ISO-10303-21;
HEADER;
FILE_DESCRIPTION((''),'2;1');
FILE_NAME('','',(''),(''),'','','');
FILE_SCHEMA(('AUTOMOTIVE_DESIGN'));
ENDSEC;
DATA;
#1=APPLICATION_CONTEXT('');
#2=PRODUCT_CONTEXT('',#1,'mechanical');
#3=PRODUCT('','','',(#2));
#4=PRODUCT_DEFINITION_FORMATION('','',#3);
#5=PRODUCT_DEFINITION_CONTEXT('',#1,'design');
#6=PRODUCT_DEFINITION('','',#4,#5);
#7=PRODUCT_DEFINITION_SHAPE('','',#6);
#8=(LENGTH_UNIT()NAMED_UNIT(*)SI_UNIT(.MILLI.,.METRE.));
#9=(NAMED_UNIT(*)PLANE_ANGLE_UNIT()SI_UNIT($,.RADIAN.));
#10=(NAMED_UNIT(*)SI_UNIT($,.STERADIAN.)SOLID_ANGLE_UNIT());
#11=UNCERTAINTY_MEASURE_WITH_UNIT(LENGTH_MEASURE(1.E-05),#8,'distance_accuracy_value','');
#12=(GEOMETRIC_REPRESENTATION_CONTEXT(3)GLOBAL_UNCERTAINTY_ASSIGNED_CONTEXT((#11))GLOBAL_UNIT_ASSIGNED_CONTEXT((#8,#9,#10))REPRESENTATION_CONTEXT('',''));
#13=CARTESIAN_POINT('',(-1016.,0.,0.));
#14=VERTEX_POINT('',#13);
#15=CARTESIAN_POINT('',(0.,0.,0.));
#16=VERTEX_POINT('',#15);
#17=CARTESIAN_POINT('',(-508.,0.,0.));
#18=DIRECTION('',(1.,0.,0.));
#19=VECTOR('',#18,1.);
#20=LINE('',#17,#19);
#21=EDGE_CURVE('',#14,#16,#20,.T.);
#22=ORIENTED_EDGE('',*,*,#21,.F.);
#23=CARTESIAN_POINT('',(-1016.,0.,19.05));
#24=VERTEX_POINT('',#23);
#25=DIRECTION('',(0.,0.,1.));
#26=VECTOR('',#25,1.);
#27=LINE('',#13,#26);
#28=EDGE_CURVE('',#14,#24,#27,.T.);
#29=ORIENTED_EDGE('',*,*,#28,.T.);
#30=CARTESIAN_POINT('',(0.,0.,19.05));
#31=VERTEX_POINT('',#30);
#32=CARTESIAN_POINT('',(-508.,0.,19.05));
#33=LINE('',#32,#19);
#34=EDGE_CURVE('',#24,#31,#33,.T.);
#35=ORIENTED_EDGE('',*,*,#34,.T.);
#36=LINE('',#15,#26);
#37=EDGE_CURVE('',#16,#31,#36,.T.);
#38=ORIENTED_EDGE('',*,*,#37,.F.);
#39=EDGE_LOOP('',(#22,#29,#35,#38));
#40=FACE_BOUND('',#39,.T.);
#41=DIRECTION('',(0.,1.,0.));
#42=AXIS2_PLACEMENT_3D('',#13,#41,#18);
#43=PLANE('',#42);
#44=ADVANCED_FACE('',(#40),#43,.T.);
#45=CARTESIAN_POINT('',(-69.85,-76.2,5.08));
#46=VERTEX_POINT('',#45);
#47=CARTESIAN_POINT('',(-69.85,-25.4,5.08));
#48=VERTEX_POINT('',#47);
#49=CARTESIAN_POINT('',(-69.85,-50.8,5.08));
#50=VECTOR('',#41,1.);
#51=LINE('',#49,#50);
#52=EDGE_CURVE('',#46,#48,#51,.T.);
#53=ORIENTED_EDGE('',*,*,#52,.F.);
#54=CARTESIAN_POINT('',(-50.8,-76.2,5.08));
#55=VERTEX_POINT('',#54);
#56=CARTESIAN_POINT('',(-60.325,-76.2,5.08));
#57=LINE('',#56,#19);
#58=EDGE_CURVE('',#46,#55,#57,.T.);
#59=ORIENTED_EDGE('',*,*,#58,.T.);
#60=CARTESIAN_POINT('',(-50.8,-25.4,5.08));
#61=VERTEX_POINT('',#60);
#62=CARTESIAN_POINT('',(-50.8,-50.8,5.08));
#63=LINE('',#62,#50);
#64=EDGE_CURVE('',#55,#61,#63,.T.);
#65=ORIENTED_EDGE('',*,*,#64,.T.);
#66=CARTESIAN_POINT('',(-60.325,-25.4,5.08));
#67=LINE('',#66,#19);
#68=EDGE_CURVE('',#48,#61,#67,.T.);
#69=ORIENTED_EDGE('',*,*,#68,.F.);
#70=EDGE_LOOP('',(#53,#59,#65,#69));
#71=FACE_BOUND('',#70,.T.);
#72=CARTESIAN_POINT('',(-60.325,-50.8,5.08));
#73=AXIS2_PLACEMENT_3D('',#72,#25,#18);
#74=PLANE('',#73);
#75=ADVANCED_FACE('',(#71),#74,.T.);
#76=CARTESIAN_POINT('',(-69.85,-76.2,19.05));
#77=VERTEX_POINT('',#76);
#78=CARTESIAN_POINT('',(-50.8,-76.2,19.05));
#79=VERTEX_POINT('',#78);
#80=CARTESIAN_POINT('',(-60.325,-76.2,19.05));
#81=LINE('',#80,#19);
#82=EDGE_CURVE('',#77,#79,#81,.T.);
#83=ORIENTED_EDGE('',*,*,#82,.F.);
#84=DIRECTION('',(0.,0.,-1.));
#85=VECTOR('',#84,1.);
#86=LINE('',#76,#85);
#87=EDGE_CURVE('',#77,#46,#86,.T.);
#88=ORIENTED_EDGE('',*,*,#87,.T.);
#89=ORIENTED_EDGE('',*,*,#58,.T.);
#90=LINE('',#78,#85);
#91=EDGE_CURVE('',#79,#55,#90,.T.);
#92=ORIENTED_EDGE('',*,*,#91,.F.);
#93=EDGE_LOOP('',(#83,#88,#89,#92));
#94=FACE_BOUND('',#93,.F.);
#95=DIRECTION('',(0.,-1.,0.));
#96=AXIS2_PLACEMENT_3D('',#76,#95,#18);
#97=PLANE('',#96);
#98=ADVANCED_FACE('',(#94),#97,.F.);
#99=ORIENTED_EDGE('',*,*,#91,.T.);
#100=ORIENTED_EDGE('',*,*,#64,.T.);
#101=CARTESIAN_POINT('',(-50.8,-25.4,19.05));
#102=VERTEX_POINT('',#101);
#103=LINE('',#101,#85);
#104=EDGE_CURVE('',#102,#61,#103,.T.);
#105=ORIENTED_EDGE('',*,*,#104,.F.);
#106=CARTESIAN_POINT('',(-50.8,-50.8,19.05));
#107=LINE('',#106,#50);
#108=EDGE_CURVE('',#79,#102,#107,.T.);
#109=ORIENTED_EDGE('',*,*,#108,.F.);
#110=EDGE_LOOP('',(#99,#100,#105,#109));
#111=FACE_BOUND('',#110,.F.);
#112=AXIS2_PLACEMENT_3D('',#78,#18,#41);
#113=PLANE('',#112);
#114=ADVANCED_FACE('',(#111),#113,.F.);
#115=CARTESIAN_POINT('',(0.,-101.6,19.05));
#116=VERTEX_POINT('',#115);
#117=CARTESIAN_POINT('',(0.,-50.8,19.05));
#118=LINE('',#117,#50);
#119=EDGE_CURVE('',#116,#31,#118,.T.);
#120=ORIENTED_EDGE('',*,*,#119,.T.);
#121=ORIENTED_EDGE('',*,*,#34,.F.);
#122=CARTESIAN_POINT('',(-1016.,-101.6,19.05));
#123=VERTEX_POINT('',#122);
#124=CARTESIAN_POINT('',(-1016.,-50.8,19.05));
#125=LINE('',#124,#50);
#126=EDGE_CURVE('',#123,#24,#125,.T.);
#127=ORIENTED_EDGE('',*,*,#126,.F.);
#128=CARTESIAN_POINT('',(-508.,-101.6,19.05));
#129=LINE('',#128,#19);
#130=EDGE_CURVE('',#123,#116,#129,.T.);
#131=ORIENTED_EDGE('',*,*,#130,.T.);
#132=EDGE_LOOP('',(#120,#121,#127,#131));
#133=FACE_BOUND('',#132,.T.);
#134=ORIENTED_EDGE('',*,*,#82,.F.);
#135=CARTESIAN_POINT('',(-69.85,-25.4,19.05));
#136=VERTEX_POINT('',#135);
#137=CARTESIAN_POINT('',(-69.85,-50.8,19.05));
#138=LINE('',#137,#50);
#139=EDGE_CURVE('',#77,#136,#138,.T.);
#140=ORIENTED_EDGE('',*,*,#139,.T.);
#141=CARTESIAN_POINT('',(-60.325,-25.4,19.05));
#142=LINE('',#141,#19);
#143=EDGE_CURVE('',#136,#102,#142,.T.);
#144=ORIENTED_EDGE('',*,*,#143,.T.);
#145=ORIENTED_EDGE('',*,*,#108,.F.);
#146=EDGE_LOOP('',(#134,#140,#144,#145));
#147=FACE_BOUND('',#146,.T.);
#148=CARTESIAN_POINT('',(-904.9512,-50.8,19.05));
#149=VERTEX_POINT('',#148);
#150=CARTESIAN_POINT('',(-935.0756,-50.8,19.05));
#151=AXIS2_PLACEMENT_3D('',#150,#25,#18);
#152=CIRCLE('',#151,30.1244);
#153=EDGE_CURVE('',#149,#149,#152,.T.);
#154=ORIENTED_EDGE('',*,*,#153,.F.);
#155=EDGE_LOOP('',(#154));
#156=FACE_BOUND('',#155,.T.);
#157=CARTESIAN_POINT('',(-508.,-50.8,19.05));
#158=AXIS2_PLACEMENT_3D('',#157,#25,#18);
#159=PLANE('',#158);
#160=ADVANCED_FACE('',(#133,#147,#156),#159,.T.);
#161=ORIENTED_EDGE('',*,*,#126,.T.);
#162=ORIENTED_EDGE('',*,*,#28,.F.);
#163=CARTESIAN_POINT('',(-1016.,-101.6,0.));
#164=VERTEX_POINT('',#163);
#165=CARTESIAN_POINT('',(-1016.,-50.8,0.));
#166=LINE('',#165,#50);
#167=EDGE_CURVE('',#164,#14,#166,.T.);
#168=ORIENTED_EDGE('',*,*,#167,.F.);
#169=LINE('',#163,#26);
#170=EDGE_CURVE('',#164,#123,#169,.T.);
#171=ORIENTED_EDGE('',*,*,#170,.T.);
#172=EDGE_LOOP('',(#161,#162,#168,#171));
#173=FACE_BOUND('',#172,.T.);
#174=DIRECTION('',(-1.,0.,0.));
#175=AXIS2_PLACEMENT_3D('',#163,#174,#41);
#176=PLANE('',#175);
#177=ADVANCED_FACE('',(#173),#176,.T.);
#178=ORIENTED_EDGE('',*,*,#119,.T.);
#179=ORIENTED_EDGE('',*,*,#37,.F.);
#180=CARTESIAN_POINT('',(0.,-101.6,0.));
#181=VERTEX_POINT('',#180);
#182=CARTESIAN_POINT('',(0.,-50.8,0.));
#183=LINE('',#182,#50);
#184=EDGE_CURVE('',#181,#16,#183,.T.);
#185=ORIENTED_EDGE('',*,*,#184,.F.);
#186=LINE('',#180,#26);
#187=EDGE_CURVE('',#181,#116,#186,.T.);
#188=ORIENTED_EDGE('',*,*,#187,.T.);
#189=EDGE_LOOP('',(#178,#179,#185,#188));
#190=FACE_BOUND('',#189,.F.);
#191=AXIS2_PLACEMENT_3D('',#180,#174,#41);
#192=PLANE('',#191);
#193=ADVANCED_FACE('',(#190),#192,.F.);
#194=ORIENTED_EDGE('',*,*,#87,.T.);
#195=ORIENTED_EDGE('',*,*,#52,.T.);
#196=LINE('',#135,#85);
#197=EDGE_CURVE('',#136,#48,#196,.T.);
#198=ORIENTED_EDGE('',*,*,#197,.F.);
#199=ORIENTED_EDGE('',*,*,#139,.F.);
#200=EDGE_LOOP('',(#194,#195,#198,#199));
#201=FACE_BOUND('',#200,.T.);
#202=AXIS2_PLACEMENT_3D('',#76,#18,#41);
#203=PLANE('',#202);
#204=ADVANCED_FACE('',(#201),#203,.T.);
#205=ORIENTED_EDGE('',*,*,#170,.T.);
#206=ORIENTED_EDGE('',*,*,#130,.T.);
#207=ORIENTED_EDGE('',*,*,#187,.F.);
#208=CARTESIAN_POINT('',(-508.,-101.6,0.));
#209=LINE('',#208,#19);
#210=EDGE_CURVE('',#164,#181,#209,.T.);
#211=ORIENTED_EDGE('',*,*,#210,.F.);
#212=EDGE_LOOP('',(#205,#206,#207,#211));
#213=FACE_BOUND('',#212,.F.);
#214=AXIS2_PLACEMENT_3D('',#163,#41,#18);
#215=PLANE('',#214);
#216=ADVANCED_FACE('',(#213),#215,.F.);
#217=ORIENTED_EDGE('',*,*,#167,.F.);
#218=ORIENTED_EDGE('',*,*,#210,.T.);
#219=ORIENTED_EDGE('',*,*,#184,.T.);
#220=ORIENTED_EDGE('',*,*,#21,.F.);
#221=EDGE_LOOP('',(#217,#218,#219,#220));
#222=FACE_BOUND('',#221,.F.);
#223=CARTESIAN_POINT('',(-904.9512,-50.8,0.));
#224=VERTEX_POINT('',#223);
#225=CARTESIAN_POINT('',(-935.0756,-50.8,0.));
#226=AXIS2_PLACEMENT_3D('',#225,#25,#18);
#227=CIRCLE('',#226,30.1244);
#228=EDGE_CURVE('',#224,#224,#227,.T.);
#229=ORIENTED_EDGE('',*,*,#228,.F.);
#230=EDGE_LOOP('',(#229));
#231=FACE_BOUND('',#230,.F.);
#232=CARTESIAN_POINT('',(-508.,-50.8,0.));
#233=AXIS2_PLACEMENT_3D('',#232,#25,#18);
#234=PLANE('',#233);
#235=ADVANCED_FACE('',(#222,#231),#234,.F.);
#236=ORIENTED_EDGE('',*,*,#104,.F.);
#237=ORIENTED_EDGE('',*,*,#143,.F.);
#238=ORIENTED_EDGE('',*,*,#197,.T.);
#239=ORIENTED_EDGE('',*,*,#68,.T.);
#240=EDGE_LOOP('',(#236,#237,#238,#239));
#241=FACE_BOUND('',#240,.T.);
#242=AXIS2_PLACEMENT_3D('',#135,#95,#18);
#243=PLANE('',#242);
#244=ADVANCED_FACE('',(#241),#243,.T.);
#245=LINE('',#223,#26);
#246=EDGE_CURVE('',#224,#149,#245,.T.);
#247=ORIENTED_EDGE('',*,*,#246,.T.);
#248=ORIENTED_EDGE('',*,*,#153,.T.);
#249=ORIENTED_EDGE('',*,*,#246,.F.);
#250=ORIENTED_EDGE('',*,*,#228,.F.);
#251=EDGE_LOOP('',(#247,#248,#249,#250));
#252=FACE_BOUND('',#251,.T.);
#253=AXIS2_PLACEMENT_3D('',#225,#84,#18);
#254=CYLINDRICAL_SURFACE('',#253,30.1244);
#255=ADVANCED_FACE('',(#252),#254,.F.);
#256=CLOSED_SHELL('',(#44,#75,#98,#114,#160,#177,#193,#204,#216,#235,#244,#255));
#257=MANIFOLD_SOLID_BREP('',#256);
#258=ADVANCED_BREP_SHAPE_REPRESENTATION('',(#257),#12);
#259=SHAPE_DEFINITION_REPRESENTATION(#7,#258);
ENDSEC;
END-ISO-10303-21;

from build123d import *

# Parameters (mm, degrees)
F0_W     = 1016
F0_H     = 101.6
F0_R     = 30.1244
F1_DEPTH = 19.05
F2_W     = 19.05
F2_H     = 50.8
F3_DEPTH = 13.97


with BuildPart() as f1:
    # F0 (on Top) → F1 (new body)
    with BuildSketch(Plane.XY):
        with Locations((-508, -50.8)):
            Rectangle(F0_W, F0_H)
        with Locations((-935.0756, -50.8)):
            Circle(F0_R, mode=Mode.SUBTRACT)
    extrude(amount=F1_DEPTH)

    # F2 (on face) → F3 (cut)
    with BuildSketch(Plane.XY.offset(19.05)):
        with Locations((-60.325, -50.8)):
            Rectangle(F2_W, F2_H)
    extrude(amount=-F3_DEPTH, mode=Mode.SUBTRACT)


solid = f1.part
